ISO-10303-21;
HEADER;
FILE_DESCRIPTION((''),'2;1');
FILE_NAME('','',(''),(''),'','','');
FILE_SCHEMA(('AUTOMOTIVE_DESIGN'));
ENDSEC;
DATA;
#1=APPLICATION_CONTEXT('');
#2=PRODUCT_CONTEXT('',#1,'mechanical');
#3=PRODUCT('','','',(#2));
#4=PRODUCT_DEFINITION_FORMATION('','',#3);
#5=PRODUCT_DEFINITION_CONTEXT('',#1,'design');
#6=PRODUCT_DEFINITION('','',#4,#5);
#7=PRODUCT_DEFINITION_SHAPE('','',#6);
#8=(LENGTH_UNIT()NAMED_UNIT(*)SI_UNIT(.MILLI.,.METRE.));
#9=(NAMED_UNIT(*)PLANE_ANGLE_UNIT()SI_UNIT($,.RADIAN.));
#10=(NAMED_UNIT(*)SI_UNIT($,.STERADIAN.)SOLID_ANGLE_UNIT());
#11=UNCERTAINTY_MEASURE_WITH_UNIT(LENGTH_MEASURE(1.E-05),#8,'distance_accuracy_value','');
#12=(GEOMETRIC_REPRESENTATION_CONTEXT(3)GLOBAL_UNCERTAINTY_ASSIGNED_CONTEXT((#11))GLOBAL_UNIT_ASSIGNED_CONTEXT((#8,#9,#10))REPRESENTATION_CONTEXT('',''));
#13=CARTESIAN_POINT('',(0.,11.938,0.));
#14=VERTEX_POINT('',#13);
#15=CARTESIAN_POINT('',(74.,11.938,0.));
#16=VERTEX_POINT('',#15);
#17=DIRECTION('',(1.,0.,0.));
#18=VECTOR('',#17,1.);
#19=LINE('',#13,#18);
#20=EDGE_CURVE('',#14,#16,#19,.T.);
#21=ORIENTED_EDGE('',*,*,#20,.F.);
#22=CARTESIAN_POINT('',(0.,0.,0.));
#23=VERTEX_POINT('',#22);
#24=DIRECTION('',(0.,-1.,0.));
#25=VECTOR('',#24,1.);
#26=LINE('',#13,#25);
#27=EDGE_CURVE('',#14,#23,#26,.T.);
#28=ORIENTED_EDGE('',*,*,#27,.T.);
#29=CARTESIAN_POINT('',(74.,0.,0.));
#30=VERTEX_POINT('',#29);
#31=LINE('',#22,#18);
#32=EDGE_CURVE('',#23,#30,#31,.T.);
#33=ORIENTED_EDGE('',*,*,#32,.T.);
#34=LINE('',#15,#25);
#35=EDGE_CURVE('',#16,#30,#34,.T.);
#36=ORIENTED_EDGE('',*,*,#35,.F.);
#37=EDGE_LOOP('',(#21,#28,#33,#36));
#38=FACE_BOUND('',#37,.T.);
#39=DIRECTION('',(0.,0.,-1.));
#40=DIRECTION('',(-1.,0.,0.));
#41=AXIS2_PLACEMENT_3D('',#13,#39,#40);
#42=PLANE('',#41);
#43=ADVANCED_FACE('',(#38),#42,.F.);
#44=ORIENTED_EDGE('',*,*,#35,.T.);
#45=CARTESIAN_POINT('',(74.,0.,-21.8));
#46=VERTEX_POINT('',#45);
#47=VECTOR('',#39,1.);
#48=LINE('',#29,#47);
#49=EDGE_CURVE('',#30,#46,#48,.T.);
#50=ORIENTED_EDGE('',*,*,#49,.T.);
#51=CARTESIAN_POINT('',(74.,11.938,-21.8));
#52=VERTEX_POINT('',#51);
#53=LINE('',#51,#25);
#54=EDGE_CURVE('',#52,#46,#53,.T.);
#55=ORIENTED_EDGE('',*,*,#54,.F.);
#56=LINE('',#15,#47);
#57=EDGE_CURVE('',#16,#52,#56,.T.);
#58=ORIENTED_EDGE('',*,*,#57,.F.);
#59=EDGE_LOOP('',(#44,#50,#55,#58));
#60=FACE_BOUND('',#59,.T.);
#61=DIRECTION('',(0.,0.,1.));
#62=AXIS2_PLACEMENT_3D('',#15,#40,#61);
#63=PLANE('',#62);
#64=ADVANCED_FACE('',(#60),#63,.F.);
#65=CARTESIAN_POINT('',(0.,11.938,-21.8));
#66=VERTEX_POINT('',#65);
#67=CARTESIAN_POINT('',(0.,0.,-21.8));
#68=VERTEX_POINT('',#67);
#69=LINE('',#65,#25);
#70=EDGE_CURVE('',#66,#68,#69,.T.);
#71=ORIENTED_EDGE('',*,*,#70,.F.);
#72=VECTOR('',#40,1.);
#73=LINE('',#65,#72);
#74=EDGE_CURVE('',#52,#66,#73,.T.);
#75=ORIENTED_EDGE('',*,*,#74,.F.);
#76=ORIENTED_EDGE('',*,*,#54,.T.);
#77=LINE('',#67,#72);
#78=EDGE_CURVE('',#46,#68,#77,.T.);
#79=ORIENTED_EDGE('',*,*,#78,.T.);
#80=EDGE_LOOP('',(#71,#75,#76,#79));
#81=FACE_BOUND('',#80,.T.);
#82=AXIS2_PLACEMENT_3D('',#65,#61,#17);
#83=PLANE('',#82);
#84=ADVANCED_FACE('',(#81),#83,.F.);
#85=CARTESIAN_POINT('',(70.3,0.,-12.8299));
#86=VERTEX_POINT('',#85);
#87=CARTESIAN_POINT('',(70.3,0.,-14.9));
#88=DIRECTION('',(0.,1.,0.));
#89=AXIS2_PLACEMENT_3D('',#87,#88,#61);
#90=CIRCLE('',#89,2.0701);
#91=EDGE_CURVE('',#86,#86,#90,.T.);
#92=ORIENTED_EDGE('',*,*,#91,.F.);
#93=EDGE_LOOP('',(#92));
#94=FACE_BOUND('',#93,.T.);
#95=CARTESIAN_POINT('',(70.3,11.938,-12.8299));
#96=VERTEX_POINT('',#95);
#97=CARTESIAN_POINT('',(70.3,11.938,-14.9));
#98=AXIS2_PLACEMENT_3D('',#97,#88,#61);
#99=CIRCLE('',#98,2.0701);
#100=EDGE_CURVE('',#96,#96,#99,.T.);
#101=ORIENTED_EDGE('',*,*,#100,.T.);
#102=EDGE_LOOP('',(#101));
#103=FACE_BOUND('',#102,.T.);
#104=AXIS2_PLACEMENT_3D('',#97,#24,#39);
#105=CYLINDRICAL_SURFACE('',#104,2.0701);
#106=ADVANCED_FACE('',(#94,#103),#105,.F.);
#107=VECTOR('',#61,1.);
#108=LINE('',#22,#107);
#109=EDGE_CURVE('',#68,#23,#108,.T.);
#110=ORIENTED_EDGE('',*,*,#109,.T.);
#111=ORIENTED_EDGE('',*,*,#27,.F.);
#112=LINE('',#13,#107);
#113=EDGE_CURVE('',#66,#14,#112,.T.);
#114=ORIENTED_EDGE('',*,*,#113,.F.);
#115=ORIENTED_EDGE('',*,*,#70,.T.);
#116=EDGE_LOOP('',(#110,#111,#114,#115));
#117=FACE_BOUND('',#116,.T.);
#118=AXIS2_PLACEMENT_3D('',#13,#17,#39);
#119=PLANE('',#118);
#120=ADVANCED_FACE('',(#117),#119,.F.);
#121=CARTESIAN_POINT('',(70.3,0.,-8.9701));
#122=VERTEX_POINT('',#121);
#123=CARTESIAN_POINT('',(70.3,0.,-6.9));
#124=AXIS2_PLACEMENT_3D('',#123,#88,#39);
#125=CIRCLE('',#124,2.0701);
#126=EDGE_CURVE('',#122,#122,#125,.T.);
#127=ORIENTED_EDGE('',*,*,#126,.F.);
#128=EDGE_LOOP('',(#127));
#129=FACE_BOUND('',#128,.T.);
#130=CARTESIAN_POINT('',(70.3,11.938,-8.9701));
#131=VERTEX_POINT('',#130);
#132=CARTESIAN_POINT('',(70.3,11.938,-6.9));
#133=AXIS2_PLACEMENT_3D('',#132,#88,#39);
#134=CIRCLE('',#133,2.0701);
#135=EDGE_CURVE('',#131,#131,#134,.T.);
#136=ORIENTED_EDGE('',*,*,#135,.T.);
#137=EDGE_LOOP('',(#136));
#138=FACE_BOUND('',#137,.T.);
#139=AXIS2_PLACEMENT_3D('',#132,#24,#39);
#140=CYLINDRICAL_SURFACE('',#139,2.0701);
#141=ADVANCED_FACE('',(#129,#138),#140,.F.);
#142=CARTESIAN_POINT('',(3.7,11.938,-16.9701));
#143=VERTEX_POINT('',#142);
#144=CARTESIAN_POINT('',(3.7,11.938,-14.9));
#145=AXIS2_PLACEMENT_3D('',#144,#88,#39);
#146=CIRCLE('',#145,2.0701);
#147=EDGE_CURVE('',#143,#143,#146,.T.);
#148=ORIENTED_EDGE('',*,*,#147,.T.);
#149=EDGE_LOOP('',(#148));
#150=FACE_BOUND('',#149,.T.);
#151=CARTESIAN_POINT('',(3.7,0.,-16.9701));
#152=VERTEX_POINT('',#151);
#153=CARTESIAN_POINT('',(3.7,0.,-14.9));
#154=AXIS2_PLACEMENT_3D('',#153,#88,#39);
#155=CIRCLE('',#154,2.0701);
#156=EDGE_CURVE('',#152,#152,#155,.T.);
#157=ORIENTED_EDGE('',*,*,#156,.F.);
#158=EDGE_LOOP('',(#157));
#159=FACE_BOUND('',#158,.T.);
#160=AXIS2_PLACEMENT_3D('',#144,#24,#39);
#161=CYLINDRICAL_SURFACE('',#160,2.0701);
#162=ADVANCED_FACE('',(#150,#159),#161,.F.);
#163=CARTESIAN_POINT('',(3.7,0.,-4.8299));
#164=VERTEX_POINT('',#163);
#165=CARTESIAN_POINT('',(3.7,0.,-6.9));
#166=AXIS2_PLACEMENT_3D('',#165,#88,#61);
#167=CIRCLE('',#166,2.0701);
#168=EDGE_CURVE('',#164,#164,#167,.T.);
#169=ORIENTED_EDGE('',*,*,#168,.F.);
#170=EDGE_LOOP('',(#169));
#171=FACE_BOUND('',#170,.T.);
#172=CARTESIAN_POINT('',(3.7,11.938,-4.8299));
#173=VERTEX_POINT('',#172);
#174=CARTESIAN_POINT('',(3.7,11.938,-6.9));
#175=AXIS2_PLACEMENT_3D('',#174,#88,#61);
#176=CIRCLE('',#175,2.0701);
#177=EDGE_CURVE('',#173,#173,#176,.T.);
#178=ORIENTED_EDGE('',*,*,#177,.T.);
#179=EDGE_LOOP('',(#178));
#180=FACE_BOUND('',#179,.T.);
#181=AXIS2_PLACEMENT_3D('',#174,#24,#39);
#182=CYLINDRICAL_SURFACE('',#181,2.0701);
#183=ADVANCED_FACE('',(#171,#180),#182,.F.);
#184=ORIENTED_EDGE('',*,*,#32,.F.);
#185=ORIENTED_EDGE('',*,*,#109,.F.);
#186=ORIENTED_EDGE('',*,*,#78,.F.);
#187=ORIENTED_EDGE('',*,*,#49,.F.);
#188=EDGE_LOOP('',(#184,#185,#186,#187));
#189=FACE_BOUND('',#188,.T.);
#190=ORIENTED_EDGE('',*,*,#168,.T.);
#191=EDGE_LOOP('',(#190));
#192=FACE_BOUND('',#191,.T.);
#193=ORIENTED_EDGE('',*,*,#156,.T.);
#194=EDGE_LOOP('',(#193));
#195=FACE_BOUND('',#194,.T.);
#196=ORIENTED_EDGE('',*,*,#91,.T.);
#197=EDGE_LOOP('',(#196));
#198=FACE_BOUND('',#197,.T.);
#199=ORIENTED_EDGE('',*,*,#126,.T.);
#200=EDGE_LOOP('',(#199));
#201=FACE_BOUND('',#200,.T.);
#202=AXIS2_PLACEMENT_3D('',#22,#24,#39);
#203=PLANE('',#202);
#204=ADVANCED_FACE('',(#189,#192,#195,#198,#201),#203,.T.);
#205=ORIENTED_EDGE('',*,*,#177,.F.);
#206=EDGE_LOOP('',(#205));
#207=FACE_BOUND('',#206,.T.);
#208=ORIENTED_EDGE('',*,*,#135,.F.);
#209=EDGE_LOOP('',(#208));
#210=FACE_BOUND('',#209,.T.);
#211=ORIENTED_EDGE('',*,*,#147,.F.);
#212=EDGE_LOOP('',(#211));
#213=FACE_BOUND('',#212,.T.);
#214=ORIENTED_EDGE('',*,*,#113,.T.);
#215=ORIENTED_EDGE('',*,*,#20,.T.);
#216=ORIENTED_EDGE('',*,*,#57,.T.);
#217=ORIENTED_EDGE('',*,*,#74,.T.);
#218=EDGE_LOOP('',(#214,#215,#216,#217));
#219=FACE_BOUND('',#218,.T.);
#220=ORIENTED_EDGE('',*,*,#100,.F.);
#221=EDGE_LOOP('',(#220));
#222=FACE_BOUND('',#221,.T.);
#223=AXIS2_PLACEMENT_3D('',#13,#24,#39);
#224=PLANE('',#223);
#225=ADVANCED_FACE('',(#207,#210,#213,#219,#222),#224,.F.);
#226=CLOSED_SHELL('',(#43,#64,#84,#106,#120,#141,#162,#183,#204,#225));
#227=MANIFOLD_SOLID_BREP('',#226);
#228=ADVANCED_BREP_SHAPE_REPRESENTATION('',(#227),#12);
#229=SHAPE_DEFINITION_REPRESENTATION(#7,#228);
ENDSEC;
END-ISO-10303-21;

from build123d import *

# Parameters (mm, degrees)
SKETCH1_W           = 74
SKETCH1_H           = 21.8
SKETCH1_R           = 2.0701
BOSS_EXTRUDE1_DEPTH = 11.938


with BuildPart() as part:
    # Sketch1 → Boss-Extrude1 (new body)
    with BuildSketch(Plane(origin=(0, 0, 0), x_dir=(1, 0, 0), z_dir=(0, 1, 0))):
        with Locations((37, 10.9)):
            Rectangle(SKETCH1_W, SKETCH1_H)
        with Locations(Location((3.7, 6.9, 0), (0, 0, 270))):
            Circle(SKETCH1_R, mode=Mode.SUBTRACT)
        with Locations(Location((3.7, 14.9, 0), (0, 0, 90))):
            Circle(SKETCH1_R, mode=Mode.SUBTRACT)
        with Locations(Location((70.3, 6.9, 0), (0, 0, 90))):
            Circle(SKETCH1_R, mode=Mode.SUBTRACT)
        with Locations(Location((70.3, 14.9, 0), (0, 0, 270))):
            Circle(SKETCH1_R, mode=Mode.SUBTRACT)
    extrude(amount=BOSS_EXTRUDE1_DEPTH)


solid = part.part
